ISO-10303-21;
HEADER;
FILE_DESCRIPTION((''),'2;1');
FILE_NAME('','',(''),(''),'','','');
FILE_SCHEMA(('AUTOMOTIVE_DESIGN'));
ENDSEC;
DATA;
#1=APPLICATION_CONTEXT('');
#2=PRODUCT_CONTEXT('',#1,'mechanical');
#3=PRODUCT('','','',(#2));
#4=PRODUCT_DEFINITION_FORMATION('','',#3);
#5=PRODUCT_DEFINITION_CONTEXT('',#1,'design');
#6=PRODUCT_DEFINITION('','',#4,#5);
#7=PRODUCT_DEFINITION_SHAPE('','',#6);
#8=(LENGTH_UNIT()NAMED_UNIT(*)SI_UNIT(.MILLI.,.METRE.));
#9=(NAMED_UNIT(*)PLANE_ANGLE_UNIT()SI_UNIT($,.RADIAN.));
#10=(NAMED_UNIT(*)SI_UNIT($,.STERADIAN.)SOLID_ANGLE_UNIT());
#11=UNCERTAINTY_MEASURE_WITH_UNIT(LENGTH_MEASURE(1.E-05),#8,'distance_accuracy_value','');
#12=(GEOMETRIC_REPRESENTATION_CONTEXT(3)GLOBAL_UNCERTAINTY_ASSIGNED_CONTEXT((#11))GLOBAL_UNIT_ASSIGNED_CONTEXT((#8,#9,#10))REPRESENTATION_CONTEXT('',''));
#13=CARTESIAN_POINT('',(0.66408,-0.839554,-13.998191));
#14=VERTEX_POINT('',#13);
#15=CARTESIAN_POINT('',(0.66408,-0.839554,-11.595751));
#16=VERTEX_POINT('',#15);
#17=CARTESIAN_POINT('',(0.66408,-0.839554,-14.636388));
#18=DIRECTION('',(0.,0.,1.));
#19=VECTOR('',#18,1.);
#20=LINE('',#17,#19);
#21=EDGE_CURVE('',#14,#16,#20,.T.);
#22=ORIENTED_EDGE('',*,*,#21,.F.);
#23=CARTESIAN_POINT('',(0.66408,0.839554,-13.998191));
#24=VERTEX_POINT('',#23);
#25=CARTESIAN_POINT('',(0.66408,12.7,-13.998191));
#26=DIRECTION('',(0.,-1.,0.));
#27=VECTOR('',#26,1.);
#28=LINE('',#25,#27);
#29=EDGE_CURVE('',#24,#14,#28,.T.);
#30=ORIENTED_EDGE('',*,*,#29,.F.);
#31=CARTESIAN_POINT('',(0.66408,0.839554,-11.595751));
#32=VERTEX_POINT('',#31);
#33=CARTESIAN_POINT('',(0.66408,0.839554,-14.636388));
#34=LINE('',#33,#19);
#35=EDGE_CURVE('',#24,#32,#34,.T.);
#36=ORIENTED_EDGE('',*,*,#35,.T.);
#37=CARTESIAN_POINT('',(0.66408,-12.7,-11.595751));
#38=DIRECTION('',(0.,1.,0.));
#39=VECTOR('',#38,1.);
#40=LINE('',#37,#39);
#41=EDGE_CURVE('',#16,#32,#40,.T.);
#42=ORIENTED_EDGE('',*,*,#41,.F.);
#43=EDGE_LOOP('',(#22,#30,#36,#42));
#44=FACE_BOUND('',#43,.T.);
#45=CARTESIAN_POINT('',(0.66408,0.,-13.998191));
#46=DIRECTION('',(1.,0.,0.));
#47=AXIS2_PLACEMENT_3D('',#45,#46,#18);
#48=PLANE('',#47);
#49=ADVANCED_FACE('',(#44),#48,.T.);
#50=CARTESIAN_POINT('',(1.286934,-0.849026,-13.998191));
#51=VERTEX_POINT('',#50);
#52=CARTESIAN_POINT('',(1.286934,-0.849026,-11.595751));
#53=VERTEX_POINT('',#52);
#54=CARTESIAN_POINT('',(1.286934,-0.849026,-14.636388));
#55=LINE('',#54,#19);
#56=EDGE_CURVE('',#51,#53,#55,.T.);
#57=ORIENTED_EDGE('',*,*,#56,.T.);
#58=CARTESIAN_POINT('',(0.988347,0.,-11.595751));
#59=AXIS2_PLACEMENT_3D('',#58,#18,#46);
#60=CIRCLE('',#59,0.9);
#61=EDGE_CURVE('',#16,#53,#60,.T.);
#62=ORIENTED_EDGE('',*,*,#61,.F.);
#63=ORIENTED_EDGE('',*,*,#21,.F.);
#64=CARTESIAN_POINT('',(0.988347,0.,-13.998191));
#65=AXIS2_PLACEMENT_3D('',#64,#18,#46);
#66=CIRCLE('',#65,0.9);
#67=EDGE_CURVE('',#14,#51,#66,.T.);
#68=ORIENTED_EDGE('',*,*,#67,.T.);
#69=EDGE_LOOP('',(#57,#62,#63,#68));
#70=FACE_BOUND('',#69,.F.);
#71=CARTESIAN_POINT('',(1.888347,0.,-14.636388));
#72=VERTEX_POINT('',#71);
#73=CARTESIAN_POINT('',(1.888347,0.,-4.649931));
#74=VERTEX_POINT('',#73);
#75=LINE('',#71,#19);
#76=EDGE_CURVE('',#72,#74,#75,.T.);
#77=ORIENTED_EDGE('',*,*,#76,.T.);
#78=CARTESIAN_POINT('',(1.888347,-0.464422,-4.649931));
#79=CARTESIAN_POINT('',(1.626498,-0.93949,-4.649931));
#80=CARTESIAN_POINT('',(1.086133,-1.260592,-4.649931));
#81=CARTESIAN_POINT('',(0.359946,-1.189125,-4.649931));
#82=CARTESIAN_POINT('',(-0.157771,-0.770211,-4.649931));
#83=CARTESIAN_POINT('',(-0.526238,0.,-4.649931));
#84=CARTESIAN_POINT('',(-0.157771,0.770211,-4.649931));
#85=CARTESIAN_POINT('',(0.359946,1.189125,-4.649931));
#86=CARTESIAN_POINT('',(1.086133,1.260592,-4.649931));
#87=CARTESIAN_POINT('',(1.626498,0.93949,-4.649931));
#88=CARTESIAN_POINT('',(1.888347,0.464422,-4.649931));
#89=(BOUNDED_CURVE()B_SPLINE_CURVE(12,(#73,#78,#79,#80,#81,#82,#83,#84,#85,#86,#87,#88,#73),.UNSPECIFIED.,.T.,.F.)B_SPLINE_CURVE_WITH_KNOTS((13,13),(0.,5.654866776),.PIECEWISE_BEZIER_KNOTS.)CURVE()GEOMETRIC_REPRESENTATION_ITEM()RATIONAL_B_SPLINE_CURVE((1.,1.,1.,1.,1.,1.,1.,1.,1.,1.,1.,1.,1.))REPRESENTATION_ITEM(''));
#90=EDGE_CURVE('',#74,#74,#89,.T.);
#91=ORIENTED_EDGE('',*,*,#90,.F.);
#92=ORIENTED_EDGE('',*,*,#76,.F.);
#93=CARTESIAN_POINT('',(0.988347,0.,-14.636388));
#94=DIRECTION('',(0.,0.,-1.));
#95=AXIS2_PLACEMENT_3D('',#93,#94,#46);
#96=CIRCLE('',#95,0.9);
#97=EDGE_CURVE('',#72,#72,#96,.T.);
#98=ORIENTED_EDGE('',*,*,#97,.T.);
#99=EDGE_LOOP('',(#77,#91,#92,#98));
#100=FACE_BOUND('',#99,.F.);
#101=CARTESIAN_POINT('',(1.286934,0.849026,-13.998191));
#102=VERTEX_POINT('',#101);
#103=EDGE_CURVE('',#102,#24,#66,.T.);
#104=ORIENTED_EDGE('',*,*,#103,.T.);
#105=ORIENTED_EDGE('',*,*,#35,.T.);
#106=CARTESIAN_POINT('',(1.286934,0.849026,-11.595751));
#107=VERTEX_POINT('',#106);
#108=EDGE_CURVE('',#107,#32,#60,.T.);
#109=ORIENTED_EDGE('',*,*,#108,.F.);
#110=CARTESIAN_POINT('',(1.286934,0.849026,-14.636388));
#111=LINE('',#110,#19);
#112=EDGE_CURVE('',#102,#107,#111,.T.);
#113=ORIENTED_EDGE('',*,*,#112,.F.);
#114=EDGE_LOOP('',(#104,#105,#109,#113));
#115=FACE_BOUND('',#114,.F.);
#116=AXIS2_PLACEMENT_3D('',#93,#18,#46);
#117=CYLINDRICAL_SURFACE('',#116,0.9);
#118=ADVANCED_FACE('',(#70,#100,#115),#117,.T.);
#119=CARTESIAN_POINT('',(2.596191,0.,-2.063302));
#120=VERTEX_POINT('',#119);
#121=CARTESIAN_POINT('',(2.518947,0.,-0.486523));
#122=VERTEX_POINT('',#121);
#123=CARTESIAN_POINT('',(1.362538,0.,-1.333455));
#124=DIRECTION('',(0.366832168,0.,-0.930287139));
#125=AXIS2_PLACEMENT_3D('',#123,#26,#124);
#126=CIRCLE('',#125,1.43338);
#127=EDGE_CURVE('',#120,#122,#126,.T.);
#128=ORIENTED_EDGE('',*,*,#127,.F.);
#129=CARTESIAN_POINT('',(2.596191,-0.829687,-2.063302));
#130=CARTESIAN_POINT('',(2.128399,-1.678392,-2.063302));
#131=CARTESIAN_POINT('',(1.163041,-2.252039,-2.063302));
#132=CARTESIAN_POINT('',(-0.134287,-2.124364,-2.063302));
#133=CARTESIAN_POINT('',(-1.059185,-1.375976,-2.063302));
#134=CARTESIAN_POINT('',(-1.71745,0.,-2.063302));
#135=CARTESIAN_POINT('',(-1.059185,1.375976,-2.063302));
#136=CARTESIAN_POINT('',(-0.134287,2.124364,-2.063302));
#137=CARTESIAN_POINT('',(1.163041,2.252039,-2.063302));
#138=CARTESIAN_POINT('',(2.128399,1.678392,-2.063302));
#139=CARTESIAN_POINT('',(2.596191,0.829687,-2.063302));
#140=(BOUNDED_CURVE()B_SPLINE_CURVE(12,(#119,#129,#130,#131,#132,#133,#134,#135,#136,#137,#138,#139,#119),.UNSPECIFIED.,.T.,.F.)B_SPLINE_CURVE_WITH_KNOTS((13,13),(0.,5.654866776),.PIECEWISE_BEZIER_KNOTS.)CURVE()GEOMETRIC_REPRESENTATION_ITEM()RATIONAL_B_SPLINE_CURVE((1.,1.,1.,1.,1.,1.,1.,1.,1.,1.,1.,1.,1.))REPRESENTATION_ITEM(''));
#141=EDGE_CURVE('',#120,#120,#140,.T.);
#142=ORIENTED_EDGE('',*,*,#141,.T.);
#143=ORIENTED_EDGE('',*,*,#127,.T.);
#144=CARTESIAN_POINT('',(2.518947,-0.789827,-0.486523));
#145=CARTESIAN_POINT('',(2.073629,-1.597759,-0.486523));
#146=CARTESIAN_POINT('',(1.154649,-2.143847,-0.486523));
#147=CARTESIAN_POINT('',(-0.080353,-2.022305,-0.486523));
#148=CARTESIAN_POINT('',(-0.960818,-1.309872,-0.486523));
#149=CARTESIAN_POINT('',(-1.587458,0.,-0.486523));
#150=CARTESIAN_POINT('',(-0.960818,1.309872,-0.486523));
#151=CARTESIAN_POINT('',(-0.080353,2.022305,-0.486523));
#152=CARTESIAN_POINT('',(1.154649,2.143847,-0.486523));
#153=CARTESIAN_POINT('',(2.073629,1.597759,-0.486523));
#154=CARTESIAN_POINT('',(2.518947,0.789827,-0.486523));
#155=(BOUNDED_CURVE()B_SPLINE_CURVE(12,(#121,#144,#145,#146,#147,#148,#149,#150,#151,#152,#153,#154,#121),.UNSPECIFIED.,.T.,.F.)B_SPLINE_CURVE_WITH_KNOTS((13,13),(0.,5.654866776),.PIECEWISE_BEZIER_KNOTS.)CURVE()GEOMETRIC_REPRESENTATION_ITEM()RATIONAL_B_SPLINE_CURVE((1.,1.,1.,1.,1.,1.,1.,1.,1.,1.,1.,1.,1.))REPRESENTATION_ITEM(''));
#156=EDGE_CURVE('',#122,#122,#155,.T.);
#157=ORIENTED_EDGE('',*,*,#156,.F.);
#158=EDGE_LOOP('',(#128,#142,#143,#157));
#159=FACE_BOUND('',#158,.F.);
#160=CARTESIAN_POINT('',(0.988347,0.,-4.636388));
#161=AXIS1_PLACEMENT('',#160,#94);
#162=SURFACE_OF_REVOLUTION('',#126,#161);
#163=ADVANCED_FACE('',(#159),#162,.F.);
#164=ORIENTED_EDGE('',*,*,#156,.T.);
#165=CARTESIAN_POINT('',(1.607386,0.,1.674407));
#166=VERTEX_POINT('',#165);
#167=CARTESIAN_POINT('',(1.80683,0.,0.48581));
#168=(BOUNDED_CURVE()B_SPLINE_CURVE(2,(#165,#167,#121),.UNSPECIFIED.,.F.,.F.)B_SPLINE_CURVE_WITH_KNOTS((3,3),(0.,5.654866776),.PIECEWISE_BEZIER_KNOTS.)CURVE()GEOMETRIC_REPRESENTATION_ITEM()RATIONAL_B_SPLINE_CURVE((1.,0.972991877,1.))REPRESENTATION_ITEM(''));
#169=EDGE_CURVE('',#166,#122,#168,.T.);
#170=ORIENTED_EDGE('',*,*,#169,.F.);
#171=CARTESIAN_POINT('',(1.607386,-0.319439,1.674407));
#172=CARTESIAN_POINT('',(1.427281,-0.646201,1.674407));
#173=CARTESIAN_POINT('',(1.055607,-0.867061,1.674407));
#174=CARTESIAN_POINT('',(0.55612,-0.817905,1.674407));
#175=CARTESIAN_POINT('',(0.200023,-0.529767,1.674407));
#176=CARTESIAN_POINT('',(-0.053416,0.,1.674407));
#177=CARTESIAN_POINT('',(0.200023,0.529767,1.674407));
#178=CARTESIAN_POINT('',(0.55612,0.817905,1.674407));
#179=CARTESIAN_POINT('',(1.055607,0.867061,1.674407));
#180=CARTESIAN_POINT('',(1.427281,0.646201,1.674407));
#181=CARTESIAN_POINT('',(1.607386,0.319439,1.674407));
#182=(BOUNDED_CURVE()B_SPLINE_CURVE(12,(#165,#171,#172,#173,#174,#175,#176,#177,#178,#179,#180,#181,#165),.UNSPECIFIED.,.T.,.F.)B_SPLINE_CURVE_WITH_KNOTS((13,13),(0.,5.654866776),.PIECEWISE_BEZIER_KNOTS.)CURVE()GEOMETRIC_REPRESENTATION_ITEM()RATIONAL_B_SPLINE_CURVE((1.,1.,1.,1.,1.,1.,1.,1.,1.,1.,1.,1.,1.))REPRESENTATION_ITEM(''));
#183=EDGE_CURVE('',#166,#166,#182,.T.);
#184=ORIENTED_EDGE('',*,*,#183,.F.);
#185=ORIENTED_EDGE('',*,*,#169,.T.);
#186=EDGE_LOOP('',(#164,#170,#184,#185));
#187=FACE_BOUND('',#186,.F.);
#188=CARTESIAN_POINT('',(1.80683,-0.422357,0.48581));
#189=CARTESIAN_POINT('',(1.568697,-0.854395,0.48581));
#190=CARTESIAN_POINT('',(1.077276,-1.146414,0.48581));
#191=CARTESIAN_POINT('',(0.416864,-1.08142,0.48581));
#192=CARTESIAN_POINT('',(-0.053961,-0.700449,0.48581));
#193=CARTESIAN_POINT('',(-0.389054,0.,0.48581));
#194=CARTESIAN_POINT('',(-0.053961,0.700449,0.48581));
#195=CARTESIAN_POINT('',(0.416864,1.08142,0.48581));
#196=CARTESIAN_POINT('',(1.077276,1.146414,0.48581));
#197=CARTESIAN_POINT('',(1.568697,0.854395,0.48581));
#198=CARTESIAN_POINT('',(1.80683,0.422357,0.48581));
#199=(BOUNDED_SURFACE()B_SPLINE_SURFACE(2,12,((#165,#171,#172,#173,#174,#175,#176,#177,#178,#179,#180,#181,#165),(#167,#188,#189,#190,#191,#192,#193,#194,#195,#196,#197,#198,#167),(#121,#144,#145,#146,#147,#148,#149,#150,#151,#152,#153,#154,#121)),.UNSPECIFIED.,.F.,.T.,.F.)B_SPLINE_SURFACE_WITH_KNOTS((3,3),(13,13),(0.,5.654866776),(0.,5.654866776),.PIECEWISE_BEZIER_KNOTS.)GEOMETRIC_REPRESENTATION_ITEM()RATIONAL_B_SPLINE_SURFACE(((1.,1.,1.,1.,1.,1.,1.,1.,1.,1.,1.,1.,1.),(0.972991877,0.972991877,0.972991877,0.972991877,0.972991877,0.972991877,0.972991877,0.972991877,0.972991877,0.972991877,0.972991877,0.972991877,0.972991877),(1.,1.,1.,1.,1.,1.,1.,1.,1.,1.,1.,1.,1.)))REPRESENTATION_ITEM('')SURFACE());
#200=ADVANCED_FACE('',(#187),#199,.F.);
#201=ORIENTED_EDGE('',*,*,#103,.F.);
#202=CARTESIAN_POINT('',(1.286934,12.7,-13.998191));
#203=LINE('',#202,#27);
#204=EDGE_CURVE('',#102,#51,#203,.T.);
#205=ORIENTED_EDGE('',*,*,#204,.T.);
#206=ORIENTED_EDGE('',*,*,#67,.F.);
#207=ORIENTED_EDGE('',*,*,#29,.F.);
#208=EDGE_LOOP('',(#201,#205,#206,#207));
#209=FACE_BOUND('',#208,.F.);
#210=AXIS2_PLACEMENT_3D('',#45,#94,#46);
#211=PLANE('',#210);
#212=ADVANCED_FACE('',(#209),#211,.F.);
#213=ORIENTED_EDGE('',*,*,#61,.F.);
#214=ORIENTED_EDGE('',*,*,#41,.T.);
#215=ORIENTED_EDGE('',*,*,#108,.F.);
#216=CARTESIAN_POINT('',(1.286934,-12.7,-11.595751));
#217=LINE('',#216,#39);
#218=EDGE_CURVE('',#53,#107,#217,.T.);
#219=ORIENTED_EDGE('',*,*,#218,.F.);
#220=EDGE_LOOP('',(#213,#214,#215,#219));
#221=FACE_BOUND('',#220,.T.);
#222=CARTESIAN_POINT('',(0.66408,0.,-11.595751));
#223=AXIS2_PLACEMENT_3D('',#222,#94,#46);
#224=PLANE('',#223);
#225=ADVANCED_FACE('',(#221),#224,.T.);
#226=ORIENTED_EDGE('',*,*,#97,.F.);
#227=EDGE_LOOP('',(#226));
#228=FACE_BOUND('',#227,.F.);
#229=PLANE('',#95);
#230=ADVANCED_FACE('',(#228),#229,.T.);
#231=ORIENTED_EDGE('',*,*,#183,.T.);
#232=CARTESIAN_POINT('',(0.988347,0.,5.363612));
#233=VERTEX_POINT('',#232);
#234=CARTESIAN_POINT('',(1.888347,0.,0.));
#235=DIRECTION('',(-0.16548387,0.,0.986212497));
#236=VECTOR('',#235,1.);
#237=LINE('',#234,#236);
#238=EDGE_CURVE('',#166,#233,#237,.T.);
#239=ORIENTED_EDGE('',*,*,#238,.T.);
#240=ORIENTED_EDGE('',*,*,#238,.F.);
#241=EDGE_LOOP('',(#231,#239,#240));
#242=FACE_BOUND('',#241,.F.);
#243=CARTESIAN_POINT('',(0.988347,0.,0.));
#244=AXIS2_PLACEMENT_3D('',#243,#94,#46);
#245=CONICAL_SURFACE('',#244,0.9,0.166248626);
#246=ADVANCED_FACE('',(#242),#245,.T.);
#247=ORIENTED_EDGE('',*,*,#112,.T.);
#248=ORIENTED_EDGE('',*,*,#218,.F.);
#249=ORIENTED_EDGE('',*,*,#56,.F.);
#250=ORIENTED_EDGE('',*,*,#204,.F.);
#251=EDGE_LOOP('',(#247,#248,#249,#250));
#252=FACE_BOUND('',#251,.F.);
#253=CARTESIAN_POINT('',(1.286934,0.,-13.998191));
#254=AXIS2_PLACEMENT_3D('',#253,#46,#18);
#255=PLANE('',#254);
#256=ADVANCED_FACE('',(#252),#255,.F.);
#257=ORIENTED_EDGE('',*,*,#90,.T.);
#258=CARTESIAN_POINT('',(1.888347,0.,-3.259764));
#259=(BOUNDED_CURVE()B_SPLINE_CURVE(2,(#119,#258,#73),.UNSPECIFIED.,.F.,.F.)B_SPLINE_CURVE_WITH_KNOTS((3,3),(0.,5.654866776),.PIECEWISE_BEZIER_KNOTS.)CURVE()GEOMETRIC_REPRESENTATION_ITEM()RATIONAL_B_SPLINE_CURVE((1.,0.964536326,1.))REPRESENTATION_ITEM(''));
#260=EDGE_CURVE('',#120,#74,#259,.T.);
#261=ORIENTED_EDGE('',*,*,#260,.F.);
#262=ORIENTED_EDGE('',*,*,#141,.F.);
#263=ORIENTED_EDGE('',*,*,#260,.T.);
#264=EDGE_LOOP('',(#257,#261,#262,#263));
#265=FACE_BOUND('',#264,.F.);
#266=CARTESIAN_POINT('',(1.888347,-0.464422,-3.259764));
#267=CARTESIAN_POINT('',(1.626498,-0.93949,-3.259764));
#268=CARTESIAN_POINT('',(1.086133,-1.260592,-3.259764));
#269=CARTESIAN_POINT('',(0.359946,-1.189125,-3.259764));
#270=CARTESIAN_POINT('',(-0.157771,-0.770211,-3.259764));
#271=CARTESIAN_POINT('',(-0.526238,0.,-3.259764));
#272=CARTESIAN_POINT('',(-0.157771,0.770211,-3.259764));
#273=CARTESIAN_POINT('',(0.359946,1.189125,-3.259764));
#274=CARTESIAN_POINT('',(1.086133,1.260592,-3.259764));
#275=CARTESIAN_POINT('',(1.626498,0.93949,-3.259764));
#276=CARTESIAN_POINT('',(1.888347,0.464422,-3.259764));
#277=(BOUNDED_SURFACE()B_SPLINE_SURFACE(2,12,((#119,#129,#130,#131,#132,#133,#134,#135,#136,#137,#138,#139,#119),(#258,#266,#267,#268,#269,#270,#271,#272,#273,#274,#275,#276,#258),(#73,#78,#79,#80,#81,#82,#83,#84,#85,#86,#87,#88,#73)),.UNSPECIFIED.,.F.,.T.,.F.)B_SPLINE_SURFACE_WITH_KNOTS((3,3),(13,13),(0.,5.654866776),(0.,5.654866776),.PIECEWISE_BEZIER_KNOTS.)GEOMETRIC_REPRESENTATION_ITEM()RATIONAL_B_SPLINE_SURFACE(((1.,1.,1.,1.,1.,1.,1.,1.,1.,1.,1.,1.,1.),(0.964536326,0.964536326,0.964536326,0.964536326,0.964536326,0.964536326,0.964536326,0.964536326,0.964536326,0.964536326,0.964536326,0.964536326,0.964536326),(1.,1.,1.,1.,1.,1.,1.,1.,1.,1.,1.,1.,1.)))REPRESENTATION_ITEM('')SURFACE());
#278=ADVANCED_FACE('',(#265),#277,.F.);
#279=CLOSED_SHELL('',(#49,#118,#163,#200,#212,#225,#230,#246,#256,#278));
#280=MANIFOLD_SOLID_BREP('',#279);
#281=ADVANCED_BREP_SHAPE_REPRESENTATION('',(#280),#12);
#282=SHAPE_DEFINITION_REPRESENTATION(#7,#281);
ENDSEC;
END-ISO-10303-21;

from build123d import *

# Parameters (mm, degrees)
F2_W     = 0.6228546263
F2_H     = 2.4024397135
F3_DEPTH = 12.7
F4_R     = 5.08


with BuildPart() as f1:
    # F0 (on Front) → F1 (revolve)
    with BuildSketch(Plane.XZ):
        with BuildLine():
            Line((1.8883474847, 0), (0.9883474847, 5.3636118397))
            Line((0.9883474847, 5.3636118397), (0.9883474847, -14.6363881603))
            Line((0.9883474847, -14.6363881603), (1.8883474847, -14.6363881603))
            Line((1.8883474847, -14.6363881603), (1.8883474847, -2.6669100628))
            ThreePointArc((1.8883474847, -2.6669100628), (2.7959176273, -1.3334550314), (1.8883474847, 0))
        make_face()
    revolve(axis=Axis((0.9883474847, 0, -4.6363881603), (0, 0, -1)))

    # F2 (on Front) → F3 (cut, symmetric)
    with BuildSketch(Plane.XZ):
        with Locations((0.9755069332, -12.7969710156)):
            Rectangle(F2_W, F2_H)
    extrude(amount=F3_DEPTH, both=True, mode=Mode.SUBTRACT)

    # F4
    f4_edges = [f1.edges().sort_by_distance(p)[0] for p in [
        (0.088347, 0, -2.66691),
        (0.088347, 0, 0),
    ]]
    fillet(f4_edges, radius=F4_R)


solid = f1.part
